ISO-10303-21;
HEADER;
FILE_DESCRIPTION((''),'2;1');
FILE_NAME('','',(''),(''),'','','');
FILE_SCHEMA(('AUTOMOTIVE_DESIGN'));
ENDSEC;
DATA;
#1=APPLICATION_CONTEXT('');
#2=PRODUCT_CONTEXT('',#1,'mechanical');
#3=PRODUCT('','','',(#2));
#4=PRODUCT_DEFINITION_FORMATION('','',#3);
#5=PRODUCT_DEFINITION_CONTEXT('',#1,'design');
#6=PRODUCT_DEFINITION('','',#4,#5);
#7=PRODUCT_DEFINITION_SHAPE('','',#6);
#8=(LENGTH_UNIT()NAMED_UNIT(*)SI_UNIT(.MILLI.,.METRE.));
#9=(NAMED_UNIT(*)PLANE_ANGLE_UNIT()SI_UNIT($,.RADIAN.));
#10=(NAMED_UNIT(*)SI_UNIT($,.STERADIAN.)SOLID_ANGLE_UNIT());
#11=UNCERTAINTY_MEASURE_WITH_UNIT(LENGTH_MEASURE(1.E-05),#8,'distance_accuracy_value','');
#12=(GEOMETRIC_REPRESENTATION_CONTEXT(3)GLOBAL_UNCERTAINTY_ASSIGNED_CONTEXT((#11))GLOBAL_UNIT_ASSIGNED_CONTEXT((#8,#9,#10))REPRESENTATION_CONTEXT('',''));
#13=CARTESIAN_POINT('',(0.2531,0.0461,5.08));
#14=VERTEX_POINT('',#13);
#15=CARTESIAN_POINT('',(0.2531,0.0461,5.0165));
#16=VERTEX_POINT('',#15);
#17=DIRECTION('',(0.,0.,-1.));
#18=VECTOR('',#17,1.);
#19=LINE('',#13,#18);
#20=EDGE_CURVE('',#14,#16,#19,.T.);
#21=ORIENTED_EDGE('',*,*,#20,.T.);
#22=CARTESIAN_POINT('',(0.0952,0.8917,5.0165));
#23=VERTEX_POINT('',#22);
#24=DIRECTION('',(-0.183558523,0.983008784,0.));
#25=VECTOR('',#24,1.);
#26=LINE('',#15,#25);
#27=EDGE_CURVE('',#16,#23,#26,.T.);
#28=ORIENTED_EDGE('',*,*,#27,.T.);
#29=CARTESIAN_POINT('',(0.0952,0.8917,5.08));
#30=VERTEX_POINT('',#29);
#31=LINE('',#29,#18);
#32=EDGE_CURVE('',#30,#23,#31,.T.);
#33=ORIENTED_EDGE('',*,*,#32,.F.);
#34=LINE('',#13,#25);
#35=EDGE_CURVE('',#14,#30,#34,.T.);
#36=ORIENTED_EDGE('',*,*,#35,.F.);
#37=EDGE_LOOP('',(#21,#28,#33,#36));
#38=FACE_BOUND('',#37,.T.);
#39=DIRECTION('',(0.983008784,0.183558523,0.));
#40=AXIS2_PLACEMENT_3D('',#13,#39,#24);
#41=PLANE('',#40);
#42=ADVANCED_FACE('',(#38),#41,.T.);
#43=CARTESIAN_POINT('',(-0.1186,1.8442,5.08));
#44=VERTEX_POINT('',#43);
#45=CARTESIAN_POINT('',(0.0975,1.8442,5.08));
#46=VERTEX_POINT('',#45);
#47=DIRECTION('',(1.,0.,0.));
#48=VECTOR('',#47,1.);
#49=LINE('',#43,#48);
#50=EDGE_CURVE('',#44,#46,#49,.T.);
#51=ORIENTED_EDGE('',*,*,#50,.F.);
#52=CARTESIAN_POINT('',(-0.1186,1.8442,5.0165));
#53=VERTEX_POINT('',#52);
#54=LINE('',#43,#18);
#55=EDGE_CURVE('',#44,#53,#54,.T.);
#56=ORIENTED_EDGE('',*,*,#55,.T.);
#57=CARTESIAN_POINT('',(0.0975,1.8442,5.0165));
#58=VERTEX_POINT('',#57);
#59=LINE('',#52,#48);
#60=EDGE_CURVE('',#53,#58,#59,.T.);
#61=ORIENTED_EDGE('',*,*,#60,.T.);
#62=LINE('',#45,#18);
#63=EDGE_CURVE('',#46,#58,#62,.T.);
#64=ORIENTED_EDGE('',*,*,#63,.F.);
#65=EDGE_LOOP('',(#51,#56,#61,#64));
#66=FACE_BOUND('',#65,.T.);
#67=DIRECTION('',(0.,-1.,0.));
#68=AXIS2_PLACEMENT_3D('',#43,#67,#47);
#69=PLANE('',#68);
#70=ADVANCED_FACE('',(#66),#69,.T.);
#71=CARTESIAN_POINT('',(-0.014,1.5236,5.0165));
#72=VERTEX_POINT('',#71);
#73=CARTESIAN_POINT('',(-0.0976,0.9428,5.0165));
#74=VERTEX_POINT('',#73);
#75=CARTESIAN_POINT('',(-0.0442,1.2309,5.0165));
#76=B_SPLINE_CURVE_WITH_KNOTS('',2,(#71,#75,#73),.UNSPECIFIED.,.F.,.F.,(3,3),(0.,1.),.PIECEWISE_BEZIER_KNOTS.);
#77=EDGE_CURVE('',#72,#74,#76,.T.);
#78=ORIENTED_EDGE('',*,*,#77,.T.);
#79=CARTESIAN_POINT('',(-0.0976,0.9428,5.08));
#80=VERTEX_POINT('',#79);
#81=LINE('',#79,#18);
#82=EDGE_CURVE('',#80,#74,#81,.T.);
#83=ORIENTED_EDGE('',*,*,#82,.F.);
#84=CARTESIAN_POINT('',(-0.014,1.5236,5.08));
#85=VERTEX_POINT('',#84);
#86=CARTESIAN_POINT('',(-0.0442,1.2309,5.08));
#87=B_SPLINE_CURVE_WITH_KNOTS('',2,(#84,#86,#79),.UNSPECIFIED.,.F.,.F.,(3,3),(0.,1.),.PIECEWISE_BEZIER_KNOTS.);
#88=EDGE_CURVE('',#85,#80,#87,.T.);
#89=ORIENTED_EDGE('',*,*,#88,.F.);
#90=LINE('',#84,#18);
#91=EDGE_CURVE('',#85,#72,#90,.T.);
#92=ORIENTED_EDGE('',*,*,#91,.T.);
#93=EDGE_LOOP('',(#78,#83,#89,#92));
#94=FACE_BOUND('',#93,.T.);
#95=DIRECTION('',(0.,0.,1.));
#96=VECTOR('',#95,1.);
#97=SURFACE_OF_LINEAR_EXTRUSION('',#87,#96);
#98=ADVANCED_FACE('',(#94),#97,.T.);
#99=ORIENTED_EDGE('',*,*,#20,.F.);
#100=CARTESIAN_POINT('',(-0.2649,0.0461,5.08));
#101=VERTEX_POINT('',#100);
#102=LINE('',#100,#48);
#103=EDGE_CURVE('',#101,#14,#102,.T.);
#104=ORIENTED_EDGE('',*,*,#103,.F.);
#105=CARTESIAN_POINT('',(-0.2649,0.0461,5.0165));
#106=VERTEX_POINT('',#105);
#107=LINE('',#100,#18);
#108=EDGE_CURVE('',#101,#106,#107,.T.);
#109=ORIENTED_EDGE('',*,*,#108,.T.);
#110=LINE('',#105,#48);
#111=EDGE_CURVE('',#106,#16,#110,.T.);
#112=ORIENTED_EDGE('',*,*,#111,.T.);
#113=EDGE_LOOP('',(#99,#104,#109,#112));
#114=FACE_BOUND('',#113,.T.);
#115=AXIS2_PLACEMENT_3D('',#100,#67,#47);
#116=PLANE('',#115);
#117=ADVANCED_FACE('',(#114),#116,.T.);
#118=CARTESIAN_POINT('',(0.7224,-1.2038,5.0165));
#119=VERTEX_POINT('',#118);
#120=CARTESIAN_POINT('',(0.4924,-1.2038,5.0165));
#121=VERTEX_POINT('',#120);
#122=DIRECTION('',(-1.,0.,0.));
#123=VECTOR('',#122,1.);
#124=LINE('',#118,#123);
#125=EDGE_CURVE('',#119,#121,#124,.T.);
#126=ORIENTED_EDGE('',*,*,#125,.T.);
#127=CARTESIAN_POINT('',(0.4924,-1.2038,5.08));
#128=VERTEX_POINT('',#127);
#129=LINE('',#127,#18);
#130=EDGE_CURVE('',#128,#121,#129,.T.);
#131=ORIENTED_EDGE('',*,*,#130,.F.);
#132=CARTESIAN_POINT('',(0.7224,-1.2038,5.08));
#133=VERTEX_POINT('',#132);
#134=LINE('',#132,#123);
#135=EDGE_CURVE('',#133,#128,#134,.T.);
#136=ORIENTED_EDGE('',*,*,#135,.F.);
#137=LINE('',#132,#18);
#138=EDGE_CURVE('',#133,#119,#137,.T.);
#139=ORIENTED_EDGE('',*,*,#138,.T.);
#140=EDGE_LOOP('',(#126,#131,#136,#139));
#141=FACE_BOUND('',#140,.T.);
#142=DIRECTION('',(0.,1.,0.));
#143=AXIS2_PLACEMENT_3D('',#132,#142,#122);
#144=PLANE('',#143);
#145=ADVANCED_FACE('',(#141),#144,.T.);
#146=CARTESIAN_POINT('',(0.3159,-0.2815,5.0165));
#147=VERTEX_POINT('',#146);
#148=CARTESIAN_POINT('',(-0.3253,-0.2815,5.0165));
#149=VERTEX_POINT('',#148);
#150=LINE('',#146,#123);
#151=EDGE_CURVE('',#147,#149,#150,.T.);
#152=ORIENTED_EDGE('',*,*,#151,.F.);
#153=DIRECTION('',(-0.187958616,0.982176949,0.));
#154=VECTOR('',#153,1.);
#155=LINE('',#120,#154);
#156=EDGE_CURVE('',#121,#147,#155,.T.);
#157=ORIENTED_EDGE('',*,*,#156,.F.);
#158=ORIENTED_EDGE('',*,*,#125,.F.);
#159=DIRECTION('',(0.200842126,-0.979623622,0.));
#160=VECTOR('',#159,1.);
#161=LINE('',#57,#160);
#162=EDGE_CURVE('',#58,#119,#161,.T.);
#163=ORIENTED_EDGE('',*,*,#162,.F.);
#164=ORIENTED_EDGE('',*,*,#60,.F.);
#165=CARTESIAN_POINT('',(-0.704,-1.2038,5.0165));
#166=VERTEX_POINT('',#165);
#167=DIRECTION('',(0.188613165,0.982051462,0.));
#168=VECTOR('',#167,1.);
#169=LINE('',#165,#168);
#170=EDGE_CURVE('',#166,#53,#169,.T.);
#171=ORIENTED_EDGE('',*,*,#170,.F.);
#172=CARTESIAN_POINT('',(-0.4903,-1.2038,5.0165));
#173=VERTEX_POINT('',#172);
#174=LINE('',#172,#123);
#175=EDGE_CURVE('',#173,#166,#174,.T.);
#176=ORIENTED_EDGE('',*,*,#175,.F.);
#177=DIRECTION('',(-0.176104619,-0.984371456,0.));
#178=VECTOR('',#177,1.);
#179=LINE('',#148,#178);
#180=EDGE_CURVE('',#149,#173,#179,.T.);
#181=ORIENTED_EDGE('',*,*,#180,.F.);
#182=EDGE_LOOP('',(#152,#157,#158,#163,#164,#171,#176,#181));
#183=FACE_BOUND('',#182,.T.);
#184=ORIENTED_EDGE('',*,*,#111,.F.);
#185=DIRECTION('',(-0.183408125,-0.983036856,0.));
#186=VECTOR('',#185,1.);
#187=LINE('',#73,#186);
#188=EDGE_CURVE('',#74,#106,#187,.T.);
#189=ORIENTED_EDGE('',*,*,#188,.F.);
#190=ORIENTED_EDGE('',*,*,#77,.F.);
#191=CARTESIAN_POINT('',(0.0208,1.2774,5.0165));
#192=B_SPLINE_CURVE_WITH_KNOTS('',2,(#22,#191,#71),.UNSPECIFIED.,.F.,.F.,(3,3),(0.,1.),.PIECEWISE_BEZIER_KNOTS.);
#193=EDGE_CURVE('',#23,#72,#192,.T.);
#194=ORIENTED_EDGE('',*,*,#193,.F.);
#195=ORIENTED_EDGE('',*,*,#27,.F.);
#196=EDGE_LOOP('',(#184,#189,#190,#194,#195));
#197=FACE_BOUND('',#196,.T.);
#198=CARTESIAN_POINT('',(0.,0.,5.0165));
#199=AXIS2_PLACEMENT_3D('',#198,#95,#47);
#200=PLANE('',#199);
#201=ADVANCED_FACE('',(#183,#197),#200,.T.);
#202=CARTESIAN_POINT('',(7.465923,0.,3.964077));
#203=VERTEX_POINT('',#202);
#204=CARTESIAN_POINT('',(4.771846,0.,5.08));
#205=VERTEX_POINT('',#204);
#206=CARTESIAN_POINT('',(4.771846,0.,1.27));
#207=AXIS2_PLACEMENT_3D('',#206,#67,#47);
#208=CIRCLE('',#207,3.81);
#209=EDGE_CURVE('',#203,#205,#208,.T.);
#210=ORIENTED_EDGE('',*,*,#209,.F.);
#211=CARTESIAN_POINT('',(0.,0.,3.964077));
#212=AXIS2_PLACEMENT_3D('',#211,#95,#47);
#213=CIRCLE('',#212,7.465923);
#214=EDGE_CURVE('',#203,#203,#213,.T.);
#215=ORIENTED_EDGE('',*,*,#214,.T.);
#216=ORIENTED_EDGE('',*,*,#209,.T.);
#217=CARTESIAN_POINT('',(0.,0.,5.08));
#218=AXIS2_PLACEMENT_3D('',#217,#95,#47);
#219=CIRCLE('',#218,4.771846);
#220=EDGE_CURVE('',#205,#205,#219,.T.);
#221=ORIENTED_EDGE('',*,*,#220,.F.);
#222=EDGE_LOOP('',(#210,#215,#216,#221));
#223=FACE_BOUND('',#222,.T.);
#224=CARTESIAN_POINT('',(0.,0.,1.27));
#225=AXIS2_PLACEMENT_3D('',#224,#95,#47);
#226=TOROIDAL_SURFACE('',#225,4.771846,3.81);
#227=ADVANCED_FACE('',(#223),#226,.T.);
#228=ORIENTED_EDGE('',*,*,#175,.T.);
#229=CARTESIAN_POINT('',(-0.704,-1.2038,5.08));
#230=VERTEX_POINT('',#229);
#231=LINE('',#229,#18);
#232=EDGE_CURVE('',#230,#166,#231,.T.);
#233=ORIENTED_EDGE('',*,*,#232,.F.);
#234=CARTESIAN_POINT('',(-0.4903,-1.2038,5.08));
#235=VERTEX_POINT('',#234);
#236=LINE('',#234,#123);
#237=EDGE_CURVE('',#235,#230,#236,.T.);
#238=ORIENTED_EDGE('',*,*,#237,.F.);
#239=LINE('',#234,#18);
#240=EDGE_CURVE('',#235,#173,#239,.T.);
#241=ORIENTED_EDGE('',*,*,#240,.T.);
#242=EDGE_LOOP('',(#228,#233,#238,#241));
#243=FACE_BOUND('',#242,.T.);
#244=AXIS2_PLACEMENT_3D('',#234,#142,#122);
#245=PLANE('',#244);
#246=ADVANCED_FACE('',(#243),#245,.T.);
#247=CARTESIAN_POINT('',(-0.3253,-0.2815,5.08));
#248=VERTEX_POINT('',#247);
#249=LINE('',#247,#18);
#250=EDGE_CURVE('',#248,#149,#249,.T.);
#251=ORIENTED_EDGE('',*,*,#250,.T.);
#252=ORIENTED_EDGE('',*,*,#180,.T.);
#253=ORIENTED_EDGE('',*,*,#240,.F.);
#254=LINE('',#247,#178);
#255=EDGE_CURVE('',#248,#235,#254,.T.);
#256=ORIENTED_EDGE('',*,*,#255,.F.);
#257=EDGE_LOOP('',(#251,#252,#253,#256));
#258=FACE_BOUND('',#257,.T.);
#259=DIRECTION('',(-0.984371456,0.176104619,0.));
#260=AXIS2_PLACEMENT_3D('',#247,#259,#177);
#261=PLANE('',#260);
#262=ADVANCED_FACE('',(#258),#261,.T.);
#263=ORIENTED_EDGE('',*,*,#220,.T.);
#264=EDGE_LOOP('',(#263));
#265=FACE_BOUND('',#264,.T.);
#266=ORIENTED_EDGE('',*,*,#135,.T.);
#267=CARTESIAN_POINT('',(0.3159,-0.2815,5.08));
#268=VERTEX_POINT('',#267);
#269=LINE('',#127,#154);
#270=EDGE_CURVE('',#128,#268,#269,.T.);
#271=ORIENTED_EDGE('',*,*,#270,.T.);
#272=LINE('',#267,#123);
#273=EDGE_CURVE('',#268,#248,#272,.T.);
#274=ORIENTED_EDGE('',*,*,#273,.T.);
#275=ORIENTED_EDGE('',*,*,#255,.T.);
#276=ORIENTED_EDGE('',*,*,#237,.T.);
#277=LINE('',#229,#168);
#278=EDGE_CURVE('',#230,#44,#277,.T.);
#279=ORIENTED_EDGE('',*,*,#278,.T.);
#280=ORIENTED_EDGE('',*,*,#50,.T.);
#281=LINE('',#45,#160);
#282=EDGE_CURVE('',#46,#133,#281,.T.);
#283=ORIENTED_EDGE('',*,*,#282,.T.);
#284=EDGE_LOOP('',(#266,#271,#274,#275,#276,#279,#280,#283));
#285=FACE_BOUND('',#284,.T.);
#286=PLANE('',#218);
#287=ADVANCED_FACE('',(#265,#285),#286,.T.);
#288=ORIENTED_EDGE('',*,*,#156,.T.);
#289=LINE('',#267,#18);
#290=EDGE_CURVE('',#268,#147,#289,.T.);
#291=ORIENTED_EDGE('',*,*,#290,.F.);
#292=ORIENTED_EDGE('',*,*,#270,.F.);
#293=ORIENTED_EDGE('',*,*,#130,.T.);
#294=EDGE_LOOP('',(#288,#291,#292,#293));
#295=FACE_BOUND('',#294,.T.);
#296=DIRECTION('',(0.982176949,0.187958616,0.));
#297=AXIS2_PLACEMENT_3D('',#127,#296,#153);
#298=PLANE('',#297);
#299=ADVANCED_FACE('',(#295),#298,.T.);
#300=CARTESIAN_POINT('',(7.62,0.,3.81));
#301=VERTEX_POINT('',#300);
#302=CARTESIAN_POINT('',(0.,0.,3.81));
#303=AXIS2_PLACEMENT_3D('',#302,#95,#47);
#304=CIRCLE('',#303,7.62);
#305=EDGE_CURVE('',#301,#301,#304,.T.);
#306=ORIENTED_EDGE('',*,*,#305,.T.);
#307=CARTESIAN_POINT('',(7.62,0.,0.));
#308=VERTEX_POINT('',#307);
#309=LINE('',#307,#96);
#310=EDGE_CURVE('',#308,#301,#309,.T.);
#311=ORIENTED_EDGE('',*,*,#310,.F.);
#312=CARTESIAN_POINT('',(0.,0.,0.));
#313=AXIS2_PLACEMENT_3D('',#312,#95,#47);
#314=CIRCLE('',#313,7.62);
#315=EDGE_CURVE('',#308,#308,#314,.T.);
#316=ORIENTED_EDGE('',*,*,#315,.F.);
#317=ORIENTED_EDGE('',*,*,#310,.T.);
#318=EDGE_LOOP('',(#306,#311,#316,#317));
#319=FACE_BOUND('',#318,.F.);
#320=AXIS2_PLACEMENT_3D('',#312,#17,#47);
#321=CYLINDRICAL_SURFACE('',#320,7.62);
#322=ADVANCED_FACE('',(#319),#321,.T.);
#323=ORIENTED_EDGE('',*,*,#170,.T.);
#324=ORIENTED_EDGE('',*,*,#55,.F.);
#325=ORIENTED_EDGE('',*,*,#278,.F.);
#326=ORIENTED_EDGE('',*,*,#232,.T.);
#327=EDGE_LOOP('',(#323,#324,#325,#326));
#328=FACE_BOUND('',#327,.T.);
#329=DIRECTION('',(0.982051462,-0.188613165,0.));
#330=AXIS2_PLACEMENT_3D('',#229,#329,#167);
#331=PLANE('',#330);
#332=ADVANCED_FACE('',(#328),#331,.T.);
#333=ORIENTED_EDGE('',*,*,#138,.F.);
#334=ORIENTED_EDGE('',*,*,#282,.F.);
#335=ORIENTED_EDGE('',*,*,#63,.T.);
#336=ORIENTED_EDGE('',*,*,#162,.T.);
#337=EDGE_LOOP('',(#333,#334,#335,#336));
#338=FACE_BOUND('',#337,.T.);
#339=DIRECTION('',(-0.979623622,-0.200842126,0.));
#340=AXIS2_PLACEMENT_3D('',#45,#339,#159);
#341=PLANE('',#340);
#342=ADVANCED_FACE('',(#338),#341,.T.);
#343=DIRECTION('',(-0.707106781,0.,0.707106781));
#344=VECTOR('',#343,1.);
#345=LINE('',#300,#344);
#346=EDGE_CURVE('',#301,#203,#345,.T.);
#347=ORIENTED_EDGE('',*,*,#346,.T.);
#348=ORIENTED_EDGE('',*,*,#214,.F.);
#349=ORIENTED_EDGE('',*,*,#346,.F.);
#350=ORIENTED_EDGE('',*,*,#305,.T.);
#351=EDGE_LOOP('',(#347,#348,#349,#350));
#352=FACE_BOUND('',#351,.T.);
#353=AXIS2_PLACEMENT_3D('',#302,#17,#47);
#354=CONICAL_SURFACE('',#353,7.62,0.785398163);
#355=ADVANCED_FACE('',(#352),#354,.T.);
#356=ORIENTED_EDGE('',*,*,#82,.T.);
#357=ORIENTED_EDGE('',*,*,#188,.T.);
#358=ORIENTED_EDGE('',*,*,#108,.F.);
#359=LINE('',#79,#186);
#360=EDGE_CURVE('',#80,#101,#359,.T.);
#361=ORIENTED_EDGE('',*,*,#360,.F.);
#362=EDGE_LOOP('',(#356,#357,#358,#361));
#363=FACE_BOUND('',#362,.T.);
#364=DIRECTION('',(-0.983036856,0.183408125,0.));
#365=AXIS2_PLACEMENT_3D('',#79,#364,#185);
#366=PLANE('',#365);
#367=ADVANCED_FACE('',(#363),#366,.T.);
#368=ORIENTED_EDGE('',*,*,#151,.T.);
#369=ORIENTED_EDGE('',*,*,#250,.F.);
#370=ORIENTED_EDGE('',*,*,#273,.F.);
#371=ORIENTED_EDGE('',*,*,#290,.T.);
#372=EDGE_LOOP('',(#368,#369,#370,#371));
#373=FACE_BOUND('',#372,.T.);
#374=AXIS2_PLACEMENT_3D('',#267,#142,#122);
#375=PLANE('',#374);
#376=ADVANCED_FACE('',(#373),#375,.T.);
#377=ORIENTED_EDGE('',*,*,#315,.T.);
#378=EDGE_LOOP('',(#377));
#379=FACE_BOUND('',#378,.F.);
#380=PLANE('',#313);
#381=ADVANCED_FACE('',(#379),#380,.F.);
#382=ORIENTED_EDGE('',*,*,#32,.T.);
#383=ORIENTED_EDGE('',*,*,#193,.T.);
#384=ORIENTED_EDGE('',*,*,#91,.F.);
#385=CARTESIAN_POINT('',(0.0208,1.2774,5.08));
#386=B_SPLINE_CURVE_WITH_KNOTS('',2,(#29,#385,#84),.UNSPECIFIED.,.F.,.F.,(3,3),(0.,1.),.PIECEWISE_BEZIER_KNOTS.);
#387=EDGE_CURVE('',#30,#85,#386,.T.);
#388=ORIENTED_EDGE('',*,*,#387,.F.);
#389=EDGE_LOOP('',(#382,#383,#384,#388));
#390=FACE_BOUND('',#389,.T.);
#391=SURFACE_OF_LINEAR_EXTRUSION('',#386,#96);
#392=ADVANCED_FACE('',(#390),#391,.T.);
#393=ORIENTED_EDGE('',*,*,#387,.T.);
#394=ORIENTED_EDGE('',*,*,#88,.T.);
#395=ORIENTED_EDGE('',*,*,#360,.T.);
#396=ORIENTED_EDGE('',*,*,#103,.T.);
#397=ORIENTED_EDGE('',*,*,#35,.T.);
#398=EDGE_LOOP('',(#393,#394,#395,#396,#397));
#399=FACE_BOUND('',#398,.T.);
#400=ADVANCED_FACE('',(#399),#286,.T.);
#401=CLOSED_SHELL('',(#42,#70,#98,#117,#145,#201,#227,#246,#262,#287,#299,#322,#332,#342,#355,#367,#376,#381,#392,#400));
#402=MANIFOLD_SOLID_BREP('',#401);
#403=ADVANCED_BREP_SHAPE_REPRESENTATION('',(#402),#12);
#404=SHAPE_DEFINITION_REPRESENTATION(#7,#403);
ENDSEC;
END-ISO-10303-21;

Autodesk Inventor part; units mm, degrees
ref_plane "YZ Plane" through (0, 0, 0) normal (1, 0, 0) x (0, 1, 0)
ref_plane "XZ Plane" through (0, 0, 0) normal (0, 1, 0) x (-1, 0, 0)
ref_plane "XY Plane" through (0, 0, 0) normal (0, 0, 1) x (1, 0, 0)
sketch "Sketch1" plane through (0, 0, 0) normal (0, 0, 1) x (1, 0, 0)
  circle A0 centre (0, 0) radius 7.62
  dimension "d0" = 15.24
extrude "Extrusion1" add sketch "Sketch1" along normal blind 5.08
chamfer "Chamfer1" distance 1.27 angle 45 1 edges at (-7.62, 0, 5.08)
fillet "Fillet1" radius 3.81 1 edges at (-6.35, 0, 5.08)
sketch "Sketch2" plane through (0, 0, 5.08) normal (0, 0, 1) x (1, 0, 0)
  line L0 (-0.7017, 1.8442) -> (0.7248, 1.8442) construction
  line L1 (0.7248, 1.8442) -> (0.7248, -1.2038) construction
  line L2 (0.7248, -1.2038) -> (-0.7017, -1.2038) construction
  line L3 (-0.7017, -1.2038) -> (-0.7017, 1.8442) construction
  line L4 (-0.704, -1.2038) -> (-0.1186, 1.8442)
  line L5 (-0.1186, 1.8442) -> (0.0975, 1.8442)
  line L6 (0.0975, 1.8442) -> (0.7224, -1.2038)
  line L7 (0.7224, -1.2038) -> (0.4924, -1.2038)
  line L8 (0.4924, -1.2038) -> (0.3159, -0.2815)
  line L9 (0.3159, -0.2815) -> (-0.3253, -0.2815)
  line L10 (-0.3253, -0.2815) -> (-0.4903, -1.2038)
  line L11 (-0.4903, -1.2038) -> (-0.704, -1.2038)
  line L12 (-0.2649, 0.0461) -> (0.2531, 0.0461)
  line L13 (0.2531, 0.0461) -> (0.0952, 0.8917)
  spline S0 degree 2 poles (0.0952, 0.8917) (0.0208, 1.2774) (-0.014, 1.5236) knots 0 0 0 1 1 1
  spline S1 degree 2 poles (-0.014, 1.5236) (-0.0442, 1.2309) (-0.0976, 0.9428) knots 0 0 0 1 1 1
  line L14 (-0.0976, 0.9428) -> (-0.2649, 0.0461)
extrude "Extrusion2" cut sketch "Sketch2" against normal blind 0.0635
properties part number "A Button"
